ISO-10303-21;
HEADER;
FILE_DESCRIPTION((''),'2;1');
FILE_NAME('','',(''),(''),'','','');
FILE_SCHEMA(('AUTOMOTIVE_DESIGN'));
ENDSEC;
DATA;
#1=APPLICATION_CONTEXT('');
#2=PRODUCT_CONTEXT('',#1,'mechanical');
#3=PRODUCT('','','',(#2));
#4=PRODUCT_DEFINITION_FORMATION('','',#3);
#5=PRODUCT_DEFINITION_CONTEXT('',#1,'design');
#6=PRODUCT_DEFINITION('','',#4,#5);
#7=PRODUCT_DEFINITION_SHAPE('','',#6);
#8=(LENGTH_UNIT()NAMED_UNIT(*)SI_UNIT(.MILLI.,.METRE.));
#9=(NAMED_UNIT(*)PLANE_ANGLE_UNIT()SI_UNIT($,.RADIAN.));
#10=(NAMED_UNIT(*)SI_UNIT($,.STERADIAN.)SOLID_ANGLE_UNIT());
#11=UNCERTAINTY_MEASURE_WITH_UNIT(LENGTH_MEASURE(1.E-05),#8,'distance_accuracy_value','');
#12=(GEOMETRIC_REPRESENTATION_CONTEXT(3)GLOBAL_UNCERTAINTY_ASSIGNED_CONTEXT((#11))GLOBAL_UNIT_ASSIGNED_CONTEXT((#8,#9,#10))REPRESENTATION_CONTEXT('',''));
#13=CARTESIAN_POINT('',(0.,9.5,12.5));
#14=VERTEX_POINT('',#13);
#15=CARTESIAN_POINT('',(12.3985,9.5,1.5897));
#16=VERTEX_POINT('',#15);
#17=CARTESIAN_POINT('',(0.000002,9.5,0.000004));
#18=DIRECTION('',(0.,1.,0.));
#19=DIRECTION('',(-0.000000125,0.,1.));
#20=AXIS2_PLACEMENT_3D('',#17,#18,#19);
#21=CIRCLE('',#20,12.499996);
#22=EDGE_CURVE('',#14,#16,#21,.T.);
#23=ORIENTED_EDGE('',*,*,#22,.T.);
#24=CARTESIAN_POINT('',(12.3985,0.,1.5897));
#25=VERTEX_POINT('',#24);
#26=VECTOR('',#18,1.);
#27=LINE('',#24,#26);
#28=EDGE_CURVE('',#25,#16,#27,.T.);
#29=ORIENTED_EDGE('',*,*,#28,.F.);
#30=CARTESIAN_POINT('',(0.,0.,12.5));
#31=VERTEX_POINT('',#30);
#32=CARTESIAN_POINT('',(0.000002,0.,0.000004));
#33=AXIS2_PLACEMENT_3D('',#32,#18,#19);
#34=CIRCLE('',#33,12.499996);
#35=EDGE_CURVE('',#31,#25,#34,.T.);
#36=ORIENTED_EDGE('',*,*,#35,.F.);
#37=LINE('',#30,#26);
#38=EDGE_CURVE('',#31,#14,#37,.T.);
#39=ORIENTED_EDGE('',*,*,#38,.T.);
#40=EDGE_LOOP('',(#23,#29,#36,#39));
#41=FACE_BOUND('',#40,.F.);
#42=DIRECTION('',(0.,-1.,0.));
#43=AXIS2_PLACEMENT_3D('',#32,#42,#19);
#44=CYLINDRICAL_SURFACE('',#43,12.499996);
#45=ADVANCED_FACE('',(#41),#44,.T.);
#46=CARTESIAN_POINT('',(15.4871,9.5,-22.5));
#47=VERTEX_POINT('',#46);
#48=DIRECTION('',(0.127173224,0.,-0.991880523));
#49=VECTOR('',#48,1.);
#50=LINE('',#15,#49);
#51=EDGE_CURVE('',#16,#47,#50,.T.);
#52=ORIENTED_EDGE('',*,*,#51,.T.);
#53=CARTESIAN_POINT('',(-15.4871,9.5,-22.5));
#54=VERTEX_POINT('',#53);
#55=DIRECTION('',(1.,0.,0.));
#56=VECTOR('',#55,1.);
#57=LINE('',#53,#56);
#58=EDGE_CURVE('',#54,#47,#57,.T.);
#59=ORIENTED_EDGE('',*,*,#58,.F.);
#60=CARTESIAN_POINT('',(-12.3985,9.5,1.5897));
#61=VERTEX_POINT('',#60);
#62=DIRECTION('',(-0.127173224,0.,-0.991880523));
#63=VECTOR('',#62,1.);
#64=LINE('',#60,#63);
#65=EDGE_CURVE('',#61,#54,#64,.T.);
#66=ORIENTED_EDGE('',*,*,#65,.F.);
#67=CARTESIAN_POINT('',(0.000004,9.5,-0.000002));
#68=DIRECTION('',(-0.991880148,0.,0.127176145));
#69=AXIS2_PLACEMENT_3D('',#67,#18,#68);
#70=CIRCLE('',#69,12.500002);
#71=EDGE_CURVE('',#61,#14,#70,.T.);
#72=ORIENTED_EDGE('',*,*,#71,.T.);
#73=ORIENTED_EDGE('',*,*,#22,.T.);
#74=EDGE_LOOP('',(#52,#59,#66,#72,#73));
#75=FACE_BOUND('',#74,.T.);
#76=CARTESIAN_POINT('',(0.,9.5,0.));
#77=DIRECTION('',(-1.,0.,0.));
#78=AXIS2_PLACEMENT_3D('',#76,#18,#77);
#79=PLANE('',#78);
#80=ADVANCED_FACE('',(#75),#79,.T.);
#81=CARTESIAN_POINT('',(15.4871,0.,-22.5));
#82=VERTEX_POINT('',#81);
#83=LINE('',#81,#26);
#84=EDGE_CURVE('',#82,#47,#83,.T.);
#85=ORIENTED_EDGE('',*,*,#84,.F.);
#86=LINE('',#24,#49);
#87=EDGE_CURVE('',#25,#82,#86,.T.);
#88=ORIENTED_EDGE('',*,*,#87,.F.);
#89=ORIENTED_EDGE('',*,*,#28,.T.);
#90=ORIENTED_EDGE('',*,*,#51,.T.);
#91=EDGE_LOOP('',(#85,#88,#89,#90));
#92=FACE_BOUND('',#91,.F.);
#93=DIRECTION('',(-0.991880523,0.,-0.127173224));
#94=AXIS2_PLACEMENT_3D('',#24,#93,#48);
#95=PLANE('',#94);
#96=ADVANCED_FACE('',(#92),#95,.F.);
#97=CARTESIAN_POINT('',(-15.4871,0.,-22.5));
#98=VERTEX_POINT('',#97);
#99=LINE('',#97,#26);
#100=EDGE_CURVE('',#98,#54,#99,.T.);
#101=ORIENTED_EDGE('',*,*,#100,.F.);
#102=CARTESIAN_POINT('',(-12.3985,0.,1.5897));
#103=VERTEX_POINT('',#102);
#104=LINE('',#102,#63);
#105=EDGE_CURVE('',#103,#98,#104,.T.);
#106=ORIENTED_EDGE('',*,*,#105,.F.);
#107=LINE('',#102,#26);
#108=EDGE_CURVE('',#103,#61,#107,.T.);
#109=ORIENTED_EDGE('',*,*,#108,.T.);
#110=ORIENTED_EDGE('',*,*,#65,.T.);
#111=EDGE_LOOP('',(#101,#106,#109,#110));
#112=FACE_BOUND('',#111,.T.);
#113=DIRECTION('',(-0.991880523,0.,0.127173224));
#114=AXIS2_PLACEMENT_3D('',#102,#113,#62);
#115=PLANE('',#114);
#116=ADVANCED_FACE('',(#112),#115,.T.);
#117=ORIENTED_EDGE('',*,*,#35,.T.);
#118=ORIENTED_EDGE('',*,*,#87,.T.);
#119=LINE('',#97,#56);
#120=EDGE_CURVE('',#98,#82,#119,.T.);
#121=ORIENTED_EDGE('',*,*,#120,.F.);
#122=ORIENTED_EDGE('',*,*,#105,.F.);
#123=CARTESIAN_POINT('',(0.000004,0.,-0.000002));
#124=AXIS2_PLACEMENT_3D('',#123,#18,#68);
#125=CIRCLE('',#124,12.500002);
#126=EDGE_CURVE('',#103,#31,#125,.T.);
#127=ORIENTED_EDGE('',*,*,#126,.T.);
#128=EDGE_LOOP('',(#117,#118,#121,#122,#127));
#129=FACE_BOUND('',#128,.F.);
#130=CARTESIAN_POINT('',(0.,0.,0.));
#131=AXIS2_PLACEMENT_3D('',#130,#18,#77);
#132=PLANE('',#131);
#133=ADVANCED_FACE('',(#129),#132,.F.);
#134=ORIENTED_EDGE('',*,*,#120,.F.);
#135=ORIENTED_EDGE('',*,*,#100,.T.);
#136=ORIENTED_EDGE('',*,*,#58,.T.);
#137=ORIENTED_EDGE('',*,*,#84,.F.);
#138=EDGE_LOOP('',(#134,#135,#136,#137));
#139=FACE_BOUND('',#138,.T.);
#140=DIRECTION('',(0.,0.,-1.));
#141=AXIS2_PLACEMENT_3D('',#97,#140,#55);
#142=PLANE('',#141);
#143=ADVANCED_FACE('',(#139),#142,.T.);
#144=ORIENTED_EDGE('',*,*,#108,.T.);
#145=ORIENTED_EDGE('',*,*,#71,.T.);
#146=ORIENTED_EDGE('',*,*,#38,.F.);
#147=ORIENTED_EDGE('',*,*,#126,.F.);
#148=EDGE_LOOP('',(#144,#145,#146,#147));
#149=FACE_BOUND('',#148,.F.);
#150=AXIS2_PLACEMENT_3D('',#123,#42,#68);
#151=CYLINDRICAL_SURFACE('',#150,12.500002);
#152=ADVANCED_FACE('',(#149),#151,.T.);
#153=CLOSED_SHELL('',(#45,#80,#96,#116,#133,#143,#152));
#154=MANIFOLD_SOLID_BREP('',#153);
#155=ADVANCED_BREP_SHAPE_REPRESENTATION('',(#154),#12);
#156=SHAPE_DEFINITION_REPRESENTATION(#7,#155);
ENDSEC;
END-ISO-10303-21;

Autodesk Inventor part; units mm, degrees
ref_plane "YZ Plane" through (0, 0, 0) normal (1, 0, 0) x (0, 1, 0)
ref_plane "XZ Plane" through (0, 0, 0) normal (0, 1, 0) x (-1, 0, 0)
ref_plane "XY Plane" through (0, 0, 0) normal (0, 0, 1) x (1, 0, 0)
sketch "Skizze1" plane through (0, 0, 0) normal (0, 1, 0) x (-1, 0, 0)
  arc A0 (12.3985, 1.5897) -> (0, 12.5) centre (0, 0) ccw
  line L0 (0, -34.7678) -> (0, 23.1071) construction
  line L1 (12.3985, 1.5897) -> (16, -26.5)
  line L2 (16, -26.5) -> (0, -26.5)
  arc A1 (0, 12.5) -> (-12.3985, 1.5897) centre (0, 0) ccw
  line L3 (-12.3985, 1.5897) -> (-16, -26.5)
  line L4 (-16, -26.5) -> (0, -26.5)
  line L5 (15.4871, -22.5) -> (-15.4871, -22.5)
  dimension "d0" = 25
  dimension "d1" = 32
  dimension "d2" = 39
  dimension "d3" = 35
extrude "Extrusion1" add sketch "Skizze1" along normal blind 9.5 contours L1 L5 L3 A1 A0
properties part number "Steitenteil_voll"
